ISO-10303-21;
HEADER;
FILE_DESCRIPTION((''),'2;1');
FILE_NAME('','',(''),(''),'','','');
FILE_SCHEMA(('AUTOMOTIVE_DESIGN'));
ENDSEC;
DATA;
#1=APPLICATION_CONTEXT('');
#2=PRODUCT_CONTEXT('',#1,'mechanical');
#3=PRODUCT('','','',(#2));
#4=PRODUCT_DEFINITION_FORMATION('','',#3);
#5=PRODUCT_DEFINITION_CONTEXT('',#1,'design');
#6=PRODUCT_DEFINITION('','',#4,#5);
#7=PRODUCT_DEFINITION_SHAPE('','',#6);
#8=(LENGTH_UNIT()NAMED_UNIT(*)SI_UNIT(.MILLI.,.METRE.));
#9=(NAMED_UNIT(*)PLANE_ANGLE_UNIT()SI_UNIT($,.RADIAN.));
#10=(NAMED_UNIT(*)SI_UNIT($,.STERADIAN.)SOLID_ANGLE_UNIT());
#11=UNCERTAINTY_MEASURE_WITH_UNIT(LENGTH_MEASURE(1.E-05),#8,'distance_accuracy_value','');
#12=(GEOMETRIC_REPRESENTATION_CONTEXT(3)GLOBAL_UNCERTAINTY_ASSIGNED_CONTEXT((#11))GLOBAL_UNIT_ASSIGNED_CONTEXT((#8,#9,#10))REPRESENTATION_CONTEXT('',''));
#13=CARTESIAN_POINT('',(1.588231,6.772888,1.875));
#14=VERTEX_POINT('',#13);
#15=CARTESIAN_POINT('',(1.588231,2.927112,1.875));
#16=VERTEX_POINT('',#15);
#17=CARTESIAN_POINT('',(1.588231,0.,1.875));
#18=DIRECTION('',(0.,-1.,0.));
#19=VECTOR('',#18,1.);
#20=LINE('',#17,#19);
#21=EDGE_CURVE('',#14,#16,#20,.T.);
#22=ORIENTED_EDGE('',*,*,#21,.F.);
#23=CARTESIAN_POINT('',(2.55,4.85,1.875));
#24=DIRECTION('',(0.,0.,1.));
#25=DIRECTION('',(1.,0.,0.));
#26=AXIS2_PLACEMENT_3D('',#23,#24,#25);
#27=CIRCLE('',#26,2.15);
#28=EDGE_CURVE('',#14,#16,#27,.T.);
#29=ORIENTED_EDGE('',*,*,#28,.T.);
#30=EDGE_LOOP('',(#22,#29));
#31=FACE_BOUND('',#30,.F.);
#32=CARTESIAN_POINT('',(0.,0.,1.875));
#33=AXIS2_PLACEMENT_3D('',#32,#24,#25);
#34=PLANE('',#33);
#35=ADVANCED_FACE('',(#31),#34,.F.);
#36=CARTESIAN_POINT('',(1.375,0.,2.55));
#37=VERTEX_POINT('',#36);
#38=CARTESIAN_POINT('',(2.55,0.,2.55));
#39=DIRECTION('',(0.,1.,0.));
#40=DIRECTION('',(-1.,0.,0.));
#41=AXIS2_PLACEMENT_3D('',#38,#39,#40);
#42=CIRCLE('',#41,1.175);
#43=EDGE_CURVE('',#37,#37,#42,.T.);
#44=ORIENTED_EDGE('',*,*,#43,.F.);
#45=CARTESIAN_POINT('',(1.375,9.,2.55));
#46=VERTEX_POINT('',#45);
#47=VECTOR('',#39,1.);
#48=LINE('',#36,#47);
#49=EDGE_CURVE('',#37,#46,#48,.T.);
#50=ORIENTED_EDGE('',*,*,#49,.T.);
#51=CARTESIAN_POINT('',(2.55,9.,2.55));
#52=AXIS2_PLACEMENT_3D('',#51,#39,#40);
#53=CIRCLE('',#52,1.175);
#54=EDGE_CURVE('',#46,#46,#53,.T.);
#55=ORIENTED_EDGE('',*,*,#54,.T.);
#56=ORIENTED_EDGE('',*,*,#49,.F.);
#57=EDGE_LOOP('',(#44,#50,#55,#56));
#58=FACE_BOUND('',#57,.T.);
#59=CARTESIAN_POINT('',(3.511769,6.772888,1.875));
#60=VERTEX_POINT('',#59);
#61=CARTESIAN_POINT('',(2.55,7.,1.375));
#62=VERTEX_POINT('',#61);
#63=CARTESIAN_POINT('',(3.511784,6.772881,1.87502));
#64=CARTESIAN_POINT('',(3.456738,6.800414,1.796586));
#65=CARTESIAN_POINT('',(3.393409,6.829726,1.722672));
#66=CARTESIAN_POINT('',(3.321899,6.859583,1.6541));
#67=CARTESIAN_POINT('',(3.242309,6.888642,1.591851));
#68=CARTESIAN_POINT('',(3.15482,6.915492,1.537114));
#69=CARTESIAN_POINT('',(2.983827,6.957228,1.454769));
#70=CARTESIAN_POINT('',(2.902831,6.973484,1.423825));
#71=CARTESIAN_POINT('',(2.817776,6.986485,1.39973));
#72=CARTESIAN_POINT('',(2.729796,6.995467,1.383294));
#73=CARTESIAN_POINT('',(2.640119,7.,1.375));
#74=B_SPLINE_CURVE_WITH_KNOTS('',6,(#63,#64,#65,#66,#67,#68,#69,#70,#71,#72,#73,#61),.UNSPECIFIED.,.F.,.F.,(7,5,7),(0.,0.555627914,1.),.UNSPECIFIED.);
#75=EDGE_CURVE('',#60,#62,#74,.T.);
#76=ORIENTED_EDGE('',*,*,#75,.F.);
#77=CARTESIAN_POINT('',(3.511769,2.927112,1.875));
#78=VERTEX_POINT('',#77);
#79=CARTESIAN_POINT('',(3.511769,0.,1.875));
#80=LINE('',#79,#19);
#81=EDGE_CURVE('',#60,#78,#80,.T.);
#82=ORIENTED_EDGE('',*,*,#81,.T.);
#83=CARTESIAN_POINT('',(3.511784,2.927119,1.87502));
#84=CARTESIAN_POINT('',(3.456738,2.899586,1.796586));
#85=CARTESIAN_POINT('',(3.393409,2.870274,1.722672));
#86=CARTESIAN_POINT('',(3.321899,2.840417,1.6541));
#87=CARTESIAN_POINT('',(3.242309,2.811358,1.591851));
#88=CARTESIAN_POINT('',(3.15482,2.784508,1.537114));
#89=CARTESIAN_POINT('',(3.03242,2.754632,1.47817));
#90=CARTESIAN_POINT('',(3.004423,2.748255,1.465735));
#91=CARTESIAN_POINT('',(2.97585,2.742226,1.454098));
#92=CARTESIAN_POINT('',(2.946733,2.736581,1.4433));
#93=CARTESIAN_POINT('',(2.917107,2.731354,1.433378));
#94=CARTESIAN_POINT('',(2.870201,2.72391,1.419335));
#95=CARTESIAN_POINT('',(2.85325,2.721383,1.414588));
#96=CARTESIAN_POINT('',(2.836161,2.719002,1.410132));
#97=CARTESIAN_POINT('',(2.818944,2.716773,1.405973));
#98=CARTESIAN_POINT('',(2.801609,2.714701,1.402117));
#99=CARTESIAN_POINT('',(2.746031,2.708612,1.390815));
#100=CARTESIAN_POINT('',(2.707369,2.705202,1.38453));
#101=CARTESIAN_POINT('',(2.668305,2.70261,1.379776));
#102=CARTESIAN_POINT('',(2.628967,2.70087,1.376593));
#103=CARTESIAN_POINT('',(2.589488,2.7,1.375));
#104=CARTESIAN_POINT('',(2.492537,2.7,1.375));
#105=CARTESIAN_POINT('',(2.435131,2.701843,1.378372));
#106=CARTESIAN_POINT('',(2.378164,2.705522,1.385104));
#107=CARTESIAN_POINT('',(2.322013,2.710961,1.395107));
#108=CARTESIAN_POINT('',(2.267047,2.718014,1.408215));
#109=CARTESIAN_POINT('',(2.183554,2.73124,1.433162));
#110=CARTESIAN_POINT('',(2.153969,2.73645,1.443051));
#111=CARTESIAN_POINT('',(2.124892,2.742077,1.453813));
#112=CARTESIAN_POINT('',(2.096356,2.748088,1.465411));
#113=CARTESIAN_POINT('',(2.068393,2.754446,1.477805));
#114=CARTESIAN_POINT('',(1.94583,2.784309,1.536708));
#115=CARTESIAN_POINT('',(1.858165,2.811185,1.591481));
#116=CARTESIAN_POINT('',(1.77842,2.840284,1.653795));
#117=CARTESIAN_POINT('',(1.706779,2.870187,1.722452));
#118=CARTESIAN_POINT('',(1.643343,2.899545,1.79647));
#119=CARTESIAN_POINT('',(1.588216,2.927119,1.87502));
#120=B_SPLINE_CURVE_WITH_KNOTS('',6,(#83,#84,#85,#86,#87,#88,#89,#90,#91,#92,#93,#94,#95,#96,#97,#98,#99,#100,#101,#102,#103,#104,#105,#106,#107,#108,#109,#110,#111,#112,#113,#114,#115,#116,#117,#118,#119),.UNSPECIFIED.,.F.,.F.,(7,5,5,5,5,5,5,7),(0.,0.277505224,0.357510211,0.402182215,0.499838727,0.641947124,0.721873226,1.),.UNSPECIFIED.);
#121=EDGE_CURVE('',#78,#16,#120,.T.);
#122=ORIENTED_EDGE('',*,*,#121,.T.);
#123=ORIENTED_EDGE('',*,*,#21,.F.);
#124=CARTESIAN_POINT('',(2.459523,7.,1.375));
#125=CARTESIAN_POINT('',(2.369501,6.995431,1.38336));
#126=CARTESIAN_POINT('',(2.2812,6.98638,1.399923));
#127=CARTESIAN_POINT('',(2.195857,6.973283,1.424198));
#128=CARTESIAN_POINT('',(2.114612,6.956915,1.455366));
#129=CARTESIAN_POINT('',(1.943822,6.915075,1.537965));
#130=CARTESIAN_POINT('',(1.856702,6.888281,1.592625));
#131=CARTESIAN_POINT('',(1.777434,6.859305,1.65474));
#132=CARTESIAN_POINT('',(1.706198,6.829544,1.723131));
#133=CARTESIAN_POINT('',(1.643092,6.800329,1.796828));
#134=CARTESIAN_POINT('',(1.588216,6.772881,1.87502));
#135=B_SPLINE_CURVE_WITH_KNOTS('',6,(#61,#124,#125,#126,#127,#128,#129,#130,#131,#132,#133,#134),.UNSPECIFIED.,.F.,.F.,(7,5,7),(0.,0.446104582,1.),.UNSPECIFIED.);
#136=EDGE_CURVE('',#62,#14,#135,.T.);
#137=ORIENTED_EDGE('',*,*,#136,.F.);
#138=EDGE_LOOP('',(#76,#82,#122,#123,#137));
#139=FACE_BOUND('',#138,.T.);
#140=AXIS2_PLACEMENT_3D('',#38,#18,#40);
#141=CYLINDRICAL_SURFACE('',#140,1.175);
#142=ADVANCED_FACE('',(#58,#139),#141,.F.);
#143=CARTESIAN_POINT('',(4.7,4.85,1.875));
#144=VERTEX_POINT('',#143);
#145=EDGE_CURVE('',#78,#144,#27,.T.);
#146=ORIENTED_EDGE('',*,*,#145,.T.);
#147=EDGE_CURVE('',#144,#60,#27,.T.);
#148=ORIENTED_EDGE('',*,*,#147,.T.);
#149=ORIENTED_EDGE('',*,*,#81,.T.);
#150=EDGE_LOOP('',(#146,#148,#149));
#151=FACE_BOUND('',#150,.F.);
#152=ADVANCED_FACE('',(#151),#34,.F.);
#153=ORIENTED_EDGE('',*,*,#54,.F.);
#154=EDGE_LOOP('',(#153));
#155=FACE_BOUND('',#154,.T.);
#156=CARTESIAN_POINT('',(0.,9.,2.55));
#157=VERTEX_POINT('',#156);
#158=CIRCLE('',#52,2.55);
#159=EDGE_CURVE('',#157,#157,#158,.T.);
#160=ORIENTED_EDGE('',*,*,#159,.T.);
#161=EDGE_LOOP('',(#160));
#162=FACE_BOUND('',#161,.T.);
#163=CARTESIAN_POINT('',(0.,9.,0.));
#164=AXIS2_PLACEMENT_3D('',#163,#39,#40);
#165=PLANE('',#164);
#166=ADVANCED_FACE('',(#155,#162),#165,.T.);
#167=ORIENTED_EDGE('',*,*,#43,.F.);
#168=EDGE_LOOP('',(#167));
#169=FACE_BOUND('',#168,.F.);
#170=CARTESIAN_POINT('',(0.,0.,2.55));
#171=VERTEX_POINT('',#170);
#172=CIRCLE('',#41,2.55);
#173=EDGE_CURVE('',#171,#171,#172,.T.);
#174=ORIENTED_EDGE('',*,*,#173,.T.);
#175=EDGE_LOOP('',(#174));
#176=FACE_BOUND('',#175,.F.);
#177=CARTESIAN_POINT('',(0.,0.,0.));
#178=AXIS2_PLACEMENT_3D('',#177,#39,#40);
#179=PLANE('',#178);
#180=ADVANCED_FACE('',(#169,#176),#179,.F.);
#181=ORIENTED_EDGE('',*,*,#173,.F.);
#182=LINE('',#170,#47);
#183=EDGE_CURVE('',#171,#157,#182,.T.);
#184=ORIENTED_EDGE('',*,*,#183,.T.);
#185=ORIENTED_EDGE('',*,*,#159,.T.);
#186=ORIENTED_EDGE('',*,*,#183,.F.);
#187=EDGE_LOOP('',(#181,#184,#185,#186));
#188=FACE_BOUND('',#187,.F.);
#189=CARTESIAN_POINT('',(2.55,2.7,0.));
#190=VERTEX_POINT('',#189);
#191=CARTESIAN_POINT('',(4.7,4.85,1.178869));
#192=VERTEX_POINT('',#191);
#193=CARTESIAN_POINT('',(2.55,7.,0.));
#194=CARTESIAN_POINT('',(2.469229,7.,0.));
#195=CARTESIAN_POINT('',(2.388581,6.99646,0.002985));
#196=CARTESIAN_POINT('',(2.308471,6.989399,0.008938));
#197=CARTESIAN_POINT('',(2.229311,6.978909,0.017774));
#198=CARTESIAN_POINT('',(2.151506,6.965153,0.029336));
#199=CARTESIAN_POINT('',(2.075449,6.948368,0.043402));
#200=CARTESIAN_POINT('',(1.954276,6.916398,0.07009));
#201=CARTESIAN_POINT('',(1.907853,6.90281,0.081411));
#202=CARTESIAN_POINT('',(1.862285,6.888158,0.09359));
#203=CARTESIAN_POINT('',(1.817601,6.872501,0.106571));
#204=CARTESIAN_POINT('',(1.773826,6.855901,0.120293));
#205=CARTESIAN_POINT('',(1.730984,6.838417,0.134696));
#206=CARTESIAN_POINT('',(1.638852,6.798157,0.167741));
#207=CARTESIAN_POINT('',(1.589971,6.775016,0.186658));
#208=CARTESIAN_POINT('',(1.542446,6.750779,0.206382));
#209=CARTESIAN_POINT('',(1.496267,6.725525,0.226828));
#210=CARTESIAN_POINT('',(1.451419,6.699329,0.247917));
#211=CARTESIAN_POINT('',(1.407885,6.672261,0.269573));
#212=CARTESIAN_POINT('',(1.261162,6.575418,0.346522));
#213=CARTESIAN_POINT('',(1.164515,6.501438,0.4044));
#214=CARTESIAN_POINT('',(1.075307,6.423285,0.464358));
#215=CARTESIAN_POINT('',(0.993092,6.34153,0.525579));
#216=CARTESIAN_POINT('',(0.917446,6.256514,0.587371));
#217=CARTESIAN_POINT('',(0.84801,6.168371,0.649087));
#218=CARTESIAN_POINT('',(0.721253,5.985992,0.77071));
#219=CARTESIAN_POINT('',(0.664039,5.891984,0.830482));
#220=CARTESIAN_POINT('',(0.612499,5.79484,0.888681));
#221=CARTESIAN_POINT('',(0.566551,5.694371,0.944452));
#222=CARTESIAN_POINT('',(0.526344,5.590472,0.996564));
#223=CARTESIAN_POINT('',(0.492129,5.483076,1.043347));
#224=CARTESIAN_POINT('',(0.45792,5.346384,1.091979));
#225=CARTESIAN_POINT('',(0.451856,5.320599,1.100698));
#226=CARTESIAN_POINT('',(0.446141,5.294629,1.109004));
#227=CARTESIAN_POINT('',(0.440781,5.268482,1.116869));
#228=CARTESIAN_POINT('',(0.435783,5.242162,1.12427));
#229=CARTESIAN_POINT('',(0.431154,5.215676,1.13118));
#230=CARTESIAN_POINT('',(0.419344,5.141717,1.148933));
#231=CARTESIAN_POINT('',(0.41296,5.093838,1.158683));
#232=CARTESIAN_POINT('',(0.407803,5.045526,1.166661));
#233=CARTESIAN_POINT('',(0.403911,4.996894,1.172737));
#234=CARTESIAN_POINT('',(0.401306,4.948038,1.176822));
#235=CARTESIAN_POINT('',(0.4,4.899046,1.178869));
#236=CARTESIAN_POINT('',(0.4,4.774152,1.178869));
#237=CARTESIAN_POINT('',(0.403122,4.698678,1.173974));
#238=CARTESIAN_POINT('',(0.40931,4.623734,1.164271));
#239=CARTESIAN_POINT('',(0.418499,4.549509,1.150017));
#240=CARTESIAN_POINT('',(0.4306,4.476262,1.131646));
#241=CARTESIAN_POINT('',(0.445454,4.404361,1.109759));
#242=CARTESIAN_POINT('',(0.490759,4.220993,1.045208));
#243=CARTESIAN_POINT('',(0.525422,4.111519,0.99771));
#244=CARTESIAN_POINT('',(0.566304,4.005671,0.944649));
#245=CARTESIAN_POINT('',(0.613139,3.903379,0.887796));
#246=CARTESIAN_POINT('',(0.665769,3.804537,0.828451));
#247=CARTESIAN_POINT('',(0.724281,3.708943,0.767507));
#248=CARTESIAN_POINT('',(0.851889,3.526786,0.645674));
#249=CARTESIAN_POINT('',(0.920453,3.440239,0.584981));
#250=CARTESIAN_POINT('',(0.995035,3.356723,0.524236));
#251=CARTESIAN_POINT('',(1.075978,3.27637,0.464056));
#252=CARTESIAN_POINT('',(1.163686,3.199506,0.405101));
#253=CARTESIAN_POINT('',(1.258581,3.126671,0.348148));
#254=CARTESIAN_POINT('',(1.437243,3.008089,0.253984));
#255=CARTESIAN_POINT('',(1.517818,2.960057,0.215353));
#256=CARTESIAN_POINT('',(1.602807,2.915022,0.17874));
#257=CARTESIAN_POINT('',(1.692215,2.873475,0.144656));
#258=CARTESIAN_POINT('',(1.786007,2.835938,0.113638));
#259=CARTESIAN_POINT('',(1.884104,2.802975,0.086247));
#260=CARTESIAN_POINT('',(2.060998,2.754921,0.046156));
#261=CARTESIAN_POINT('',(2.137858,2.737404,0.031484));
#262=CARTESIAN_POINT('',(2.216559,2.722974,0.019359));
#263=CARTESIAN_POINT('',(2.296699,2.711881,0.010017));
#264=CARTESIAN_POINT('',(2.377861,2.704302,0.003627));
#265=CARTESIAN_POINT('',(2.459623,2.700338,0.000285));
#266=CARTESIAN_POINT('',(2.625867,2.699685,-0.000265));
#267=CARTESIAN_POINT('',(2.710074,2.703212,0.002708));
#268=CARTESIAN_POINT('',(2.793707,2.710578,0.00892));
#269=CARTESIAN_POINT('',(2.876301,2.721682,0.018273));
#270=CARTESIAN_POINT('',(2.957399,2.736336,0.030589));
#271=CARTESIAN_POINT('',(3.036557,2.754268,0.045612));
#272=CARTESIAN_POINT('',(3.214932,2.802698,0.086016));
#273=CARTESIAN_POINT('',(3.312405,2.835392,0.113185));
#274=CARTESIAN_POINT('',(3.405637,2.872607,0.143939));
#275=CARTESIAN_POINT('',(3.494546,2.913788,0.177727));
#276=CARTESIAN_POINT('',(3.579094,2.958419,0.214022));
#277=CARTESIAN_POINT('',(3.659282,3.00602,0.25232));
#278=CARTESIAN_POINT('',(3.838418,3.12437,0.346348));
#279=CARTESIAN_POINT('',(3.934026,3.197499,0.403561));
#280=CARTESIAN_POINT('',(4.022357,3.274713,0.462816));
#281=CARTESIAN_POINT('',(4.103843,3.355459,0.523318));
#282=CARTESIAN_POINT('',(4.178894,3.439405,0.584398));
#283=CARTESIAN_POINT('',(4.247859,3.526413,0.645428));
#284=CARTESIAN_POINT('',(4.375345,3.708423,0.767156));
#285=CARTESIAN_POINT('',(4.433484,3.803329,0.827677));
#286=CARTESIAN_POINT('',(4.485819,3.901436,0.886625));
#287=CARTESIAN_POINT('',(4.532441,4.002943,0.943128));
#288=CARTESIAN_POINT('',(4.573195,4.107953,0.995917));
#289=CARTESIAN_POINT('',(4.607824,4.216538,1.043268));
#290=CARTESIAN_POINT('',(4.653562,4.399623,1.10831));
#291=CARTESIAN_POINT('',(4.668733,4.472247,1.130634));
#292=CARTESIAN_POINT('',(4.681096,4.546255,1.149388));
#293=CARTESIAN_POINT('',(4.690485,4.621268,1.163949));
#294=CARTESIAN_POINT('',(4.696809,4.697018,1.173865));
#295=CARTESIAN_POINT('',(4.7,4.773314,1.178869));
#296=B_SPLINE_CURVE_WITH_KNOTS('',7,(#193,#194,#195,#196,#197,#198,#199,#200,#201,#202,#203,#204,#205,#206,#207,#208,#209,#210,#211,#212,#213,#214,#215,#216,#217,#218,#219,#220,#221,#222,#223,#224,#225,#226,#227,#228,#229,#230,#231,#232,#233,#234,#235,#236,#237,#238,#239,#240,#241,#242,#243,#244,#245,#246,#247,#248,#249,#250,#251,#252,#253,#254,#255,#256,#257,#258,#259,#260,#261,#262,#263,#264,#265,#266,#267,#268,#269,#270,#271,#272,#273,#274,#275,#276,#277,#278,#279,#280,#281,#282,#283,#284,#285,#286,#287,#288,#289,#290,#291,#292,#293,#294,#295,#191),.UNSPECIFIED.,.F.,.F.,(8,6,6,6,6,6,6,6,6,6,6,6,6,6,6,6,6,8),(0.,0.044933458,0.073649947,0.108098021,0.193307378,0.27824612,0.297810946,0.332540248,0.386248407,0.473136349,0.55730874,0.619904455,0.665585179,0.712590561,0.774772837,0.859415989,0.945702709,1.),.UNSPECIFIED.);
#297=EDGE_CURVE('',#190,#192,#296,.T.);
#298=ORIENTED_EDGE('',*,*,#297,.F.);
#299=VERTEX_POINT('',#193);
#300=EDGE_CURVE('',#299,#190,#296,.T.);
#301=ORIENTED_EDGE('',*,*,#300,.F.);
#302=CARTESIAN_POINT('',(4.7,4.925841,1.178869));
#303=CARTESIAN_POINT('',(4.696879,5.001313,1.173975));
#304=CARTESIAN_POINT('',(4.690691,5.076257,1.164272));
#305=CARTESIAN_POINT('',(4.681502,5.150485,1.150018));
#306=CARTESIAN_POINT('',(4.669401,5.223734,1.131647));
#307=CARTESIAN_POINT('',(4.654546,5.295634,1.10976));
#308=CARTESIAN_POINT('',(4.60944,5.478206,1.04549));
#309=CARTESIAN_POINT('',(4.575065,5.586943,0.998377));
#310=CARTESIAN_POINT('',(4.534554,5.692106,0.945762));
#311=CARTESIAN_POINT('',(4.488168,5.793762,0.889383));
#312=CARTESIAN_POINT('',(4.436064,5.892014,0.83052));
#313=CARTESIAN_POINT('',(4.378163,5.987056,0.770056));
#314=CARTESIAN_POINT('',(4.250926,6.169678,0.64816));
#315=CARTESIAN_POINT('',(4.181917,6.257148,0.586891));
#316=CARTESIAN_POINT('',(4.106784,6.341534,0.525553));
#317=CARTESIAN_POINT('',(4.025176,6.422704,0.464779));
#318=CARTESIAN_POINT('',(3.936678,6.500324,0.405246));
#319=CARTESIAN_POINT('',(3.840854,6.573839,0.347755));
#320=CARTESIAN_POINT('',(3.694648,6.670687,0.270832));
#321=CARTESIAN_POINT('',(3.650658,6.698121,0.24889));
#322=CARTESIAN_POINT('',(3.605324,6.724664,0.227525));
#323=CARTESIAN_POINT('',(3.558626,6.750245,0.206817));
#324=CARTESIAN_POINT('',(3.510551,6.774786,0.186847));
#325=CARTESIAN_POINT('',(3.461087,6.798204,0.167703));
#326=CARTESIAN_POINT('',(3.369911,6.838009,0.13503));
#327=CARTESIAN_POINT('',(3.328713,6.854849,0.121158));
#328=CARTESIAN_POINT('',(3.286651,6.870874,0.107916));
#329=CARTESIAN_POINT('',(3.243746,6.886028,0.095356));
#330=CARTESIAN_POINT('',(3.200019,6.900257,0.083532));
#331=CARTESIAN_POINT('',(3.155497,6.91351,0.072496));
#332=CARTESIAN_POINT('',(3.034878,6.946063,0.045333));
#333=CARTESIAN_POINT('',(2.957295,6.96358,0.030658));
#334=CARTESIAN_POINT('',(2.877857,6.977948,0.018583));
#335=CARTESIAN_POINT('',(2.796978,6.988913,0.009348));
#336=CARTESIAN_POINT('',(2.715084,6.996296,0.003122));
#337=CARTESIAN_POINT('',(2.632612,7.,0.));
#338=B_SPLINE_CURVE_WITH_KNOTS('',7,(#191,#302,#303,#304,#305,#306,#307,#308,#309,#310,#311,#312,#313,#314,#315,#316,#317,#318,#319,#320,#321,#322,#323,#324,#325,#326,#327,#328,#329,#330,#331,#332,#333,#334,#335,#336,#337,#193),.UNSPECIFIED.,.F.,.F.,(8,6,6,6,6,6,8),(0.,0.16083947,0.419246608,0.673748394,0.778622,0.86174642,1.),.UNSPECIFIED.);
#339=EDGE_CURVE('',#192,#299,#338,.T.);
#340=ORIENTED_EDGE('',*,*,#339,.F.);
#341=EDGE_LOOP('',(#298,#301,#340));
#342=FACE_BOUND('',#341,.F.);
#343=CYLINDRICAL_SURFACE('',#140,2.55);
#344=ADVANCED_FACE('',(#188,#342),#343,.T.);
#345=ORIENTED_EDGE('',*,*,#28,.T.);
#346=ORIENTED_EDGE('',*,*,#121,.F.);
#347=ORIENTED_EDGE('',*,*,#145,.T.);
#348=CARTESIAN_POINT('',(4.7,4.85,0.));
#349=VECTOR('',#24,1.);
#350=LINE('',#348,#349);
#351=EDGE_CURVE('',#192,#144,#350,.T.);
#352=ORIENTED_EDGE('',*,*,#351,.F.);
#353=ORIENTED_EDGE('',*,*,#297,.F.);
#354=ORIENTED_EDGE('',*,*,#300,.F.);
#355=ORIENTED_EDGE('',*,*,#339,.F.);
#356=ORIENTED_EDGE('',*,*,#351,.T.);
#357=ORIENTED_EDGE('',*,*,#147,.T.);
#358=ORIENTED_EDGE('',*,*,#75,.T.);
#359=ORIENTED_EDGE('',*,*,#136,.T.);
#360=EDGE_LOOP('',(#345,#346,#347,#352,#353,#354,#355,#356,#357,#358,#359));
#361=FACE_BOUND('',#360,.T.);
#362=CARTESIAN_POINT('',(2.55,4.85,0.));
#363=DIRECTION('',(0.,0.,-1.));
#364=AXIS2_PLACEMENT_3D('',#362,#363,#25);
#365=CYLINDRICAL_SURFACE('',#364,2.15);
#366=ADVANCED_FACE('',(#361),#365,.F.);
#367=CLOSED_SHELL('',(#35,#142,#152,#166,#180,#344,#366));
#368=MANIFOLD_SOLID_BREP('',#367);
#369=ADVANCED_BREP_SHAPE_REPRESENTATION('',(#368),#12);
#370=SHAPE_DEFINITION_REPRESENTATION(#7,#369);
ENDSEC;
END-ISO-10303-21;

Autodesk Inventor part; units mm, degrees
ref_plane "YZ Plane" through (0, 0, 0) normal (1, 0, 0) x (0, 1, 0)
ref_plane "XZ Plane" through (0, 0, 0) normal (0, 1, 0) x (-1, 0, 0)
sketch "Sketch1" plane through (0, 0, 0) normal (0, 1, 0) x (-1, 0, 0)
  circle A0 centre (-2.55, 2.55) radius 1.175
  circle A1 centre (-2.55, 2.55) radius 2.55
  line L0 (0, 0) -> (-7.3028, 0) construction
  line L1 (0, 0) -> (0, 4.3038) construction
  dimension "d0" = 2.35
  dimension "d1" = 5.1
extrude "Extrusion1" add sketch "Sketch1" along normal blind 9
ref_plane "Work Plane1" through (2.55, 0, 1.375) normal (0, 0, 1) x (1, 0, 0)
ref_plane "screwMaxDist" through (2.55, 0, 1.875) normal (0, 0, 1) x (1, 0, 0)
sketch "Sketch2" plane through (0, 0, 0) normal (0, 0, 1) x (1, 0, 0)
  line L0 (5.1, 9) -> (0, 9) projected
  circle A0 centre (2.55, 4.85) radius 2.15
  line L1 (5.1, 9) -> (0, 9) projected
  line L2 (5.1, 0) -> (0, 0) projected
  line L3 (0, 0) -> (0, 9) projected
  line L4 (0, 7) -> (5.1, 7)
  line L5 (5.1, 0) -> (5.1, 9) projected
  dimension "d5" = 4.3
  dimension "d15" = 2
  dimension "d16" = 2.55
  dimension "d17" = 2.55
extrude "Extrusion2" cut sketch "Sketch2" along normal up to surface (1.875 mm away) contours A0
equation "\"d16\" = d17"
properties part number "motor_shaft_adapter" material "ABS Plastic"
